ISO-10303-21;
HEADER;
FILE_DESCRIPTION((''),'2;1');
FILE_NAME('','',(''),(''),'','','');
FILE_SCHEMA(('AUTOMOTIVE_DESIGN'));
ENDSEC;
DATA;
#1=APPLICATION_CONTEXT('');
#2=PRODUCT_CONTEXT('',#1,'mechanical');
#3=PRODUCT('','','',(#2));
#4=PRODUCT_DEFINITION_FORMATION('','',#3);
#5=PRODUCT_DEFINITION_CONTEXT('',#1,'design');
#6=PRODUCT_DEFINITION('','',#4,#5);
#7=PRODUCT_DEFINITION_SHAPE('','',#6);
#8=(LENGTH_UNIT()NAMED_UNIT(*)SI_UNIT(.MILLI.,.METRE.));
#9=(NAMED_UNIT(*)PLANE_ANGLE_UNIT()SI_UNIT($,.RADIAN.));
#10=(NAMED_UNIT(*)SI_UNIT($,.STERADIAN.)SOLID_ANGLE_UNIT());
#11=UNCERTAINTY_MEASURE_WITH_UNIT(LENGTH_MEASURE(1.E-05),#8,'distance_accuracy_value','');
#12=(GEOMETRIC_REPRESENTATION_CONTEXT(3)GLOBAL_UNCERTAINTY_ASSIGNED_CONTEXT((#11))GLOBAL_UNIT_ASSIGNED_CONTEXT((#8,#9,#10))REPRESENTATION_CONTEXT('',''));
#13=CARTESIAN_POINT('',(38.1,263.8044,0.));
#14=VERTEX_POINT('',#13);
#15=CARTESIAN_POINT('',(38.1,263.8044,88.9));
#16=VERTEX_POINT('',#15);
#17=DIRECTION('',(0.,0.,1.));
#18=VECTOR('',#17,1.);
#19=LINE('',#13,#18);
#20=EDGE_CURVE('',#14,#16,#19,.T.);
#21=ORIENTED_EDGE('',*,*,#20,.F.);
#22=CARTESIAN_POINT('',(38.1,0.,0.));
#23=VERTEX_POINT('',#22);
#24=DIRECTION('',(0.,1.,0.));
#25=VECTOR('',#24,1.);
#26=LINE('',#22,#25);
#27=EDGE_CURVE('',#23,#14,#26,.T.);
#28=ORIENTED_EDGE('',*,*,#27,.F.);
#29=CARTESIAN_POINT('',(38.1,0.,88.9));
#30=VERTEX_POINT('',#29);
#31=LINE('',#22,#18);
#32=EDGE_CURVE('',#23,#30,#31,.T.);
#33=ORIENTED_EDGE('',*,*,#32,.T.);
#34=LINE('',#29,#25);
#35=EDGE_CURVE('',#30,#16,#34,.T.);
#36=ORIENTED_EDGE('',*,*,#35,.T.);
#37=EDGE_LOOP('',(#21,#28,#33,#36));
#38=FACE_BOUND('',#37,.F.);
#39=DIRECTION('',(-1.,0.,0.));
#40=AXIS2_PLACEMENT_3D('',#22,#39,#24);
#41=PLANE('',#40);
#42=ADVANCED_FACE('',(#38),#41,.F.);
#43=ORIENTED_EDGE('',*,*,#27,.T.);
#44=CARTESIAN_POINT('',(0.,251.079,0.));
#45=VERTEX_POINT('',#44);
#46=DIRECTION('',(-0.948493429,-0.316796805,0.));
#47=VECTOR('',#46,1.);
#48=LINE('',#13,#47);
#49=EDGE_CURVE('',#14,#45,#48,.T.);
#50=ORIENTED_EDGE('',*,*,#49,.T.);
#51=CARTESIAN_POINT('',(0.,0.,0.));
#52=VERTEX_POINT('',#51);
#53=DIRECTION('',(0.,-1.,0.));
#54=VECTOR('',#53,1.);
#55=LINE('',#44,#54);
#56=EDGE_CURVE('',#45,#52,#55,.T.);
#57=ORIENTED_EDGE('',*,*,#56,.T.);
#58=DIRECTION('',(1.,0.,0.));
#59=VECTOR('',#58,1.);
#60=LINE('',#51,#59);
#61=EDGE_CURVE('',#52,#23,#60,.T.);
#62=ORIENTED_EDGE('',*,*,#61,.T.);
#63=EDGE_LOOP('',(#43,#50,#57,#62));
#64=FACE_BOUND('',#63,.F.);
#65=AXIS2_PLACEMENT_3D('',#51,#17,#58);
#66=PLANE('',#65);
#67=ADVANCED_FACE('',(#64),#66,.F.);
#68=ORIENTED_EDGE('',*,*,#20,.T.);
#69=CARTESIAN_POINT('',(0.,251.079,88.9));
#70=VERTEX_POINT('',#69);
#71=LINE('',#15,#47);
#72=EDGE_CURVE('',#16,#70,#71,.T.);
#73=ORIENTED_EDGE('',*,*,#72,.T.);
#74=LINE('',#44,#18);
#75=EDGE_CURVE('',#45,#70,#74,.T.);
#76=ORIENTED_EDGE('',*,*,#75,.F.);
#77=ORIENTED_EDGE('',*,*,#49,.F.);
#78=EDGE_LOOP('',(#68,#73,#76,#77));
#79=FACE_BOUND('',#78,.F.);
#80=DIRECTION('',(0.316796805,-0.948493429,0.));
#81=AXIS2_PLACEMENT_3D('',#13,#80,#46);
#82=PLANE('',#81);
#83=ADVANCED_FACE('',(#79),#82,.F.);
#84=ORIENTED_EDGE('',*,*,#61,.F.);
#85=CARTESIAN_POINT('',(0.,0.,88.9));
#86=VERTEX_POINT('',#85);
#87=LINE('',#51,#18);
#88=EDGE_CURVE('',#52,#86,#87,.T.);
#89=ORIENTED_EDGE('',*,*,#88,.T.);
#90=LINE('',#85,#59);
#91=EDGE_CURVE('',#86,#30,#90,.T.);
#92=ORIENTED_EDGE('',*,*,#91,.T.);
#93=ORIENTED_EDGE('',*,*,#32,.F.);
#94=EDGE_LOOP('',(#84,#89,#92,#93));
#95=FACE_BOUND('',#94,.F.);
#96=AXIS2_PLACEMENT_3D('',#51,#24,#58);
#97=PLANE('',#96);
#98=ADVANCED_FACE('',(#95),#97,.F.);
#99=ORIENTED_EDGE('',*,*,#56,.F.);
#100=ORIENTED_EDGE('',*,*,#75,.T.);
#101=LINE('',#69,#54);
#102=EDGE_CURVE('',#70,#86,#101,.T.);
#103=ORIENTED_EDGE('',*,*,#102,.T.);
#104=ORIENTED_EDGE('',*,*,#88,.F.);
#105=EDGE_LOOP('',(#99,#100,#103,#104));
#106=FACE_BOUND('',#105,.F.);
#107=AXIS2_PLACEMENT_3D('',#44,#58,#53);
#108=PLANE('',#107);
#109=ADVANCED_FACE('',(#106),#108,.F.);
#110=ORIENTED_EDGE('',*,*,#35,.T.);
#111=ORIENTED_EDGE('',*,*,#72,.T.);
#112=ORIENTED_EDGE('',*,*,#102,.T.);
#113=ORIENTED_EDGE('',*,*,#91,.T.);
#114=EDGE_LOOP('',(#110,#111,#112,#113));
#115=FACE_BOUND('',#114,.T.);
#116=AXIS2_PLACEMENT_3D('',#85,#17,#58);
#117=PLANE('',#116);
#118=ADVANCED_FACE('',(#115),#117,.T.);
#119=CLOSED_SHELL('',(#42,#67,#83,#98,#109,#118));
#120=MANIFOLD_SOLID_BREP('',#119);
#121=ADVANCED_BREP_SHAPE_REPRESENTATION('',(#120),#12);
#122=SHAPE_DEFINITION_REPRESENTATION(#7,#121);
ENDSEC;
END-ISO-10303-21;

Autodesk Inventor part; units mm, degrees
ref_plane "YZ Plane" through (0, 0, 0) normal (1, 0, 0) x (0, 1, 0)
ref_plane "XZ Plane" through (0, 0, 0) normal (0, 1, 0) x (-1, 0, 0)
ref_plane "XY Plane" through (0, 0, 0) normal (0, 0, 1) x (1, 0, 0)
sketch "Sketch1" plane through (0, 0, 0) normal (0, 0, 1) x (1, 0, 0)
  line L0 (0, 0) -> (38.1, 0)
  line L1 (38.1, 0) -> (38.1, 263.8044)
  line L2 (38.1, 263.8044) -> (0, 251.079)
  line L3 (0, 251.079) -> (0, 0)
  dimension "d2" = 38.1
  dimension "d5" = 251.079
  dimension "d6" = 263.8044
extrude "Extrusion1" add sketch "Sketch1" along normal blind 88.9
properties part number "Stud_Between_Top_Plate_And_Rafter_2" material "Wood (Birch)"
